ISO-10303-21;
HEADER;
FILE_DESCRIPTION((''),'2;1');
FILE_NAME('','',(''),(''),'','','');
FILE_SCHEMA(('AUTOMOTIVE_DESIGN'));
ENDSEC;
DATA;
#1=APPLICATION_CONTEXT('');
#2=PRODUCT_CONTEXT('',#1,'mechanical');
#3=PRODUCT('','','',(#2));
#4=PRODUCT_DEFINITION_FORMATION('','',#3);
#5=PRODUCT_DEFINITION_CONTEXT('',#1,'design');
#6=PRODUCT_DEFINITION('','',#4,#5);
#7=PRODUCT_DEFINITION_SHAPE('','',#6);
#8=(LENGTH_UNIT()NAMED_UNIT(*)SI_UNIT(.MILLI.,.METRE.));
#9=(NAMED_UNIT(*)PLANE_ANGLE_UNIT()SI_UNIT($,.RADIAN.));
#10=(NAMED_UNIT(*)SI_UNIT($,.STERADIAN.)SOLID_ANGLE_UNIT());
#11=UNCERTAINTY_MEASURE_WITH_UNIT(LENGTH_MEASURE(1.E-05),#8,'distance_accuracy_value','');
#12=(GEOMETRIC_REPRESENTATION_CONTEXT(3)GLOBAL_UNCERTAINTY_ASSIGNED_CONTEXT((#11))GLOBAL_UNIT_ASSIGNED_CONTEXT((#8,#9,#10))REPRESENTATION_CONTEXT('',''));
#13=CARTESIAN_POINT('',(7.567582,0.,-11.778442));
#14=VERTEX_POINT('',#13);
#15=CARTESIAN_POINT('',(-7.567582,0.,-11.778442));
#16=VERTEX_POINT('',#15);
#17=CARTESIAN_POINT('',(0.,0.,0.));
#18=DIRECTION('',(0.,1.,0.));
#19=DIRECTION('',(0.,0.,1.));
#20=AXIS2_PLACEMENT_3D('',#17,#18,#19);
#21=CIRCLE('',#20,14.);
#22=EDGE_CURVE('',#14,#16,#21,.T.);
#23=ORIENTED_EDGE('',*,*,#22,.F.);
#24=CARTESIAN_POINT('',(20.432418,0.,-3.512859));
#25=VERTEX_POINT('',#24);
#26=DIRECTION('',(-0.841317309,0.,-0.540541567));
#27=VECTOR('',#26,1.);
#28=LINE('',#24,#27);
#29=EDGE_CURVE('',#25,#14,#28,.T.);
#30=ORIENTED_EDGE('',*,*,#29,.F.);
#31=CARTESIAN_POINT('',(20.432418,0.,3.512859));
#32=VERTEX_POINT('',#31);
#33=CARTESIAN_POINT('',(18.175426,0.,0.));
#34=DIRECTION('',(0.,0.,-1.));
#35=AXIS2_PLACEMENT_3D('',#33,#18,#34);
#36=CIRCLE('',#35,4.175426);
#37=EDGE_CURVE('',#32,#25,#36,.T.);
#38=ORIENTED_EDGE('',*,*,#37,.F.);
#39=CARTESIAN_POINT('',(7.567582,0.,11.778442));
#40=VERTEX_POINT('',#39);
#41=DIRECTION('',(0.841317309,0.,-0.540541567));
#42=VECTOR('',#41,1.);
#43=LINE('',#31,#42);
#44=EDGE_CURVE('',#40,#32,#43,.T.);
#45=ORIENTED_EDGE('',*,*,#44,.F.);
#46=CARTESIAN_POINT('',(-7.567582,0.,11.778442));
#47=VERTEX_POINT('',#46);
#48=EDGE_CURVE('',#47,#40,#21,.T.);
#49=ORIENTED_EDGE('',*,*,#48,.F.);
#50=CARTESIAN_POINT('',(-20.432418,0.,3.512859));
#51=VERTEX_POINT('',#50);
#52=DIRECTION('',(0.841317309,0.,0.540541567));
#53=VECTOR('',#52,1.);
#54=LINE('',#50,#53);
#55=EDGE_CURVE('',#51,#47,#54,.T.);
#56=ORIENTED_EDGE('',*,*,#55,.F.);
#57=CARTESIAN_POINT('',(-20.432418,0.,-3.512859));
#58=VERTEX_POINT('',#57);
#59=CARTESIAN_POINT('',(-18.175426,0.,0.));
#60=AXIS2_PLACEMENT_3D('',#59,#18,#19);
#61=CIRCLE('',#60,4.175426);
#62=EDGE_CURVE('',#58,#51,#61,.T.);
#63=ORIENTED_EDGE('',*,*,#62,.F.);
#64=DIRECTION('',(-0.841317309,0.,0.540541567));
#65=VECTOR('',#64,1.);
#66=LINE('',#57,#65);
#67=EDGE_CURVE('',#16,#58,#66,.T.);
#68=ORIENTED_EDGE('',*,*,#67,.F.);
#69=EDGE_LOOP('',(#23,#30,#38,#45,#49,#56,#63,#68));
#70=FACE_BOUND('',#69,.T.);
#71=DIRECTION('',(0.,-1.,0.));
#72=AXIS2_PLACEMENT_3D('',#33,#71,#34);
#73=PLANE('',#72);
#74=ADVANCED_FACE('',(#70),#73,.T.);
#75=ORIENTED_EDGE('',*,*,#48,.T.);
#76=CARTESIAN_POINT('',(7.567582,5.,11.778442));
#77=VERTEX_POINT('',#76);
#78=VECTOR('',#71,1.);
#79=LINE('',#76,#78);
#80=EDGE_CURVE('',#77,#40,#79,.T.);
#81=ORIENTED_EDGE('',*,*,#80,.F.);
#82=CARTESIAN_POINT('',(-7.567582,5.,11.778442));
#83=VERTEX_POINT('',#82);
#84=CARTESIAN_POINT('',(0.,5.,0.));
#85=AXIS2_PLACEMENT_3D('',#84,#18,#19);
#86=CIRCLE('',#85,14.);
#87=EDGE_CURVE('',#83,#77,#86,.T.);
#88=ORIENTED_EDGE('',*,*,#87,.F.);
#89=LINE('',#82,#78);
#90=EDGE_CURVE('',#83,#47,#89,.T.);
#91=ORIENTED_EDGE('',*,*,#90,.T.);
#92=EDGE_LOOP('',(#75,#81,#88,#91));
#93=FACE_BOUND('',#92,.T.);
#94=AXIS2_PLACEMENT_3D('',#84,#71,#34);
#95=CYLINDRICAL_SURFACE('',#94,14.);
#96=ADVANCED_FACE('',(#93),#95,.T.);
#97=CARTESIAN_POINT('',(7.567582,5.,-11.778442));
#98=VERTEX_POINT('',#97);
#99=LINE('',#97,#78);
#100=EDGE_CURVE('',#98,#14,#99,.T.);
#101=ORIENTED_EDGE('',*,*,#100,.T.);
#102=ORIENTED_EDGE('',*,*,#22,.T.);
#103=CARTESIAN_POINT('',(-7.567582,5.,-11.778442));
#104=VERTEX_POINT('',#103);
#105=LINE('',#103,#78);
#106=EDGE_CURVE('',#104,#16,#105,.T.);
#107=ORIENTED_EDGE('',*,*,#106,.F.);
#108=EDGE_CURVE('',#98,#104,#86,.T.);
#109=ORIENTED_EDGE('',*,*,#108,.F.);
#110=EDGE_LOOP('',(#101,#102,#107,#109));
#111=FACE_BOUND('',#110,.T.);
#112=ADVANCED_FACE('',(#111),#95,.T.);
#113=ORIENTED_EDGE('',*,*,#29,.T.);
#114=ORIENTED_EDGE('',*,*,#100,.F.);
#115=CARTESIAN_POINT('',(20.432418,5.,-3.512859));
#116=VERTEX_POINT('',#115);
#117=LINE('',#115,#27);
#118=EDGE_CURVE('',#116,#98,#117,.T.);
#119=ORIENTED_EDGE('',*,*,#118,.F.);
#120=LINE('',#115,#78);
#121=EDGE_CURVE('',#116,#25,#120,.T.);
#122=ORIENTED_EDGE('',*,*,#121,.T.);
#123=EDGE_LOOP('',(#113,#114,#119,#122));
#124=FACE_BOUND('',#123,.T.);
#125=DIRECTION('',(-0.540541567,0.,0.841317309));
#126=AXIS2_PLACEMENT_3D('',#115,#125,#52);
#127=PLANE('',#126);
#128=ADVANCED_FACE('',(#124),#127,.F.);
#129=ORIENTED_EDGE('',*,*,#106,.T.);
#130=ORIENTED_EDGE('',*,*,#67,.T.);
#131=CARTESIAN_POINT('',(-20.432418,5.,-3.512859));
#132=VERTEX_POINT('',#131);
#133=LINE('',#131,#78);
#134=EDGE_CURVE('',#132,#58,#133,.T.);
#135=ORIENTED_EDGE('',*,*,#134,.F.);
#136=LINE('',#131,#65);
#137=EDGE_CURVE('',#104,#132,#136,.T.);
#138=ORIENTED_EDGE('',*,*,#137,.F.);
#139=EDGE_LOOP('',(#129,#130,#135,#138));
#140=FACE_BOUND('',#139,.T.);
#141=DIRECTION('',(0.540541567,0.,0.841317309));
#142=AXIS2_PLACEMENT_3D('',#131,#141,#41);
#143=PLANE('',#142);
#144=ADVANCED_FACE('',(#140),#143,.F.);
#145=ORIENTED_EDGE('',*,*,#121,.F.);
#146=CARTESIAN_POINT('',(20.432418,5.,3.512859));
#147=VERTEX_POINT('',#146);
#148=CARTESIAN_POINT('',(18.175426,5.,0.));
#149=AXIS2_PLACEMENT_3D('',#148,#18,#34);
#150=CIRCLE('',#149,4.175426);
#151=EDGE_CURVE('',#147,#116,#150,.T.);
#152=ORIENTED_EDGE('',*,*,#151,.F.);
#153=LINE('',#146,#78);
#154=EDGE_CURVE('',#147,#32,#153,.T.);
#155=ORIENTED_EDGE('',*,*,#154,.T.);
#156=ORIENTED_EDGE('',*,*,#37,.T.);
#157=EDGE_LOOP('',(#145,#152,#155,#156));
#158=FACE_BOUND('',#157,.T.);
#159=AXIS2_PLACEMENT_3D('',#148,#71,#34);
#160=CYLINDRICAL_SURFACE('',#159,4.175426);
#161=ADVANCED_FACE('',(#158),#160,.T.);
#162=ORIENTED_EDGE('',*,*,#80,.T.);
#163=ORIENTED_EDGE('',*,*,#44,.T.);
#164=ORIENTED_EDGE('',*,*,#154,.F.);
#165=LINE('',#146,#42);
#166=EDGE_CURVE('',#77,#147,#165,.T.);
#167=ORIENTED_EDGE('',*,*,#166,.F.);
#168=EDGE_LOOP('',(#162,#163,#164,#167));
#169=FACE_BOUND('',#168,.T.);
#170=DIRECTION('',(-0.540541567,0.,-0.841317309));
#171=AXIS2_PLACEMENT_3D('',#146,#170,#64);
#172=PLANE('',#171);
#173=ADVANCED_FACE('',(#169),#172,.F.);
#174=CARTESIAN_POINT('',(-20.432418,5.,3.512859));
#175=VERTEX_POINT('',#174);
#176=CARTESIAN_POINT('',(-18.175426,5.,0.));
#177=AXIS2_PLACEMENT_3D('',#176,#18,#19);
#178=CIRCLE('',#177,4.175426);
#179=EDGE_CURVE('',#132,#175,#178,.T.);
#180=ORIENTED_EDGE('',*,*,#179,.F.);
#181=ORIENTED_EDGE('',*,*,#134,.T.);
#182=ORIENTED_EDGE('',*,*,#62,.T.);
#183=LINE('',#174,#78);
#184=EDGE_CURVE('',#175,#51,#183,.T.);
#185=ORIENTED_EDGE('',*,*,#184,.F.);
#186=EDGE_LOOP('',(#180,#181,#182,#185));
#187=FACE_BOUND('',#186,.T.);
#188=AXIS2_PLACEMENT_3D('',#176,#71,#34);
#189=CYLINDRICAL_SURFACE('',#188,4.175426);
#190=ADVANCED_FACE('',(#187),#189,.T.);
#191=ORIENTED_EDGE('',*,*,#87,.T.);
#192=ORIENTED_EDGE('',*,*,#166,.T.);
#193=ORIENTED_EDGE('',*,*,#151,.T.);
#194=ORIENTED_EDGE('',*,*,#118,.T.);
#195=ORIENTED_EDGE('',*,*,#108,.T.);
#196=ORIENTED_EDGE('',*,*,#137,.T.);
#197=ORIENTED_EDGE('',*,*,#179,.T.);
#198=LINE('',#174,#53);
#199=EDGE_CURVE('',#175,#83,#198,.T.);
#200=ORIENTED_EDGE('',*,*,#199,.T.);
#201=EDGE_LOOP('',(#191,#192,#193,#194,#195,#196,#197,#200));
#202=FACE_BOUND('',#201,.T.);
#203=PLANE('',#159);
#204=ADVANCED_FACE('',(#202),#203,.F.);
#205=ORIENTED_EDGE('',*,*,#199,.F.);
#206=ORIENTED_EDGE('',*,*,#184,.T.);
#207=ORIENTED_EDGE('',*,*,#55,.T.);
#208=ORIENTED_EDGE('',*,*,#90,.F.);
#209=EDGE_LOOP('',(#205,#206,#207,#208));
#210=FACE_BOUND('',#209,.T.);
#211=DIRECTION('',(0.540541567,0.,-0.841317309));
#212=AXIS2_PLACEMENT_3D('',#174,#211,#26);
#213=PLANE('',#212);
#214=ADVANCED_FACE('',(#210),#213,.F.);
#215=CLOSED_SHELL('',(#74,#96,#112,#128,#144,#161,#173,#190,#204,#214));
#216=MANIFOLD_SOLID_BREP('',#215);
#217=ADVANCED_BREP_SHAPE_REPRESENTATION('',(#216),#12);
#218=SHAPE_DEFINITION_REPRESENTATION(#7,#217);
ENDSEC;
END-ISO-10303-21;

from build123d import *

# Parameters (mm, degrees)
BOSS_EXTRUDE1_DEPTH = 5


with BuildPart() as part:
    # Sketch1 → Boss-Extrude1 (new body)
    with BuildSketch(Plane(origin=(0, 0, 0), x_dir=(1, 0, 0), z_dir=(0, 1, 0))):
        with BuildLine():
            Line((-20.432418055, 3.512858569), (-7.567581945, 11.778442321))
            ThreePointArc((-7.567581945, 11.778442321), (0, 14), (7.567581945, 11.778442321))
            Line((7.567581945, 11.778442321), (20.432418055, 3.512858569))
            ThreePointArc((20.432418055, 3.512858569), (22.350852961, 0), (20.432418055, -3.512858569))
            Line((20.432418055, -3.512858569), (7.567581945, -11.778442321))
            ThreePointArc((7.567581945, -11.778442321), (0, -14), (-7.567581945, -11.778442321))
            Line((-7.567581945, -11.778442321), (-20.432418055, -3.512858569))
            ThreePointArc((-20.432418055, -3.512858569), (-22.350852961, 0), (-20.432418055, 3.512858569))
        make_face()
    extrude(amount=BOSS_EXTRUDE1_DEPTH)


solid = part.part
